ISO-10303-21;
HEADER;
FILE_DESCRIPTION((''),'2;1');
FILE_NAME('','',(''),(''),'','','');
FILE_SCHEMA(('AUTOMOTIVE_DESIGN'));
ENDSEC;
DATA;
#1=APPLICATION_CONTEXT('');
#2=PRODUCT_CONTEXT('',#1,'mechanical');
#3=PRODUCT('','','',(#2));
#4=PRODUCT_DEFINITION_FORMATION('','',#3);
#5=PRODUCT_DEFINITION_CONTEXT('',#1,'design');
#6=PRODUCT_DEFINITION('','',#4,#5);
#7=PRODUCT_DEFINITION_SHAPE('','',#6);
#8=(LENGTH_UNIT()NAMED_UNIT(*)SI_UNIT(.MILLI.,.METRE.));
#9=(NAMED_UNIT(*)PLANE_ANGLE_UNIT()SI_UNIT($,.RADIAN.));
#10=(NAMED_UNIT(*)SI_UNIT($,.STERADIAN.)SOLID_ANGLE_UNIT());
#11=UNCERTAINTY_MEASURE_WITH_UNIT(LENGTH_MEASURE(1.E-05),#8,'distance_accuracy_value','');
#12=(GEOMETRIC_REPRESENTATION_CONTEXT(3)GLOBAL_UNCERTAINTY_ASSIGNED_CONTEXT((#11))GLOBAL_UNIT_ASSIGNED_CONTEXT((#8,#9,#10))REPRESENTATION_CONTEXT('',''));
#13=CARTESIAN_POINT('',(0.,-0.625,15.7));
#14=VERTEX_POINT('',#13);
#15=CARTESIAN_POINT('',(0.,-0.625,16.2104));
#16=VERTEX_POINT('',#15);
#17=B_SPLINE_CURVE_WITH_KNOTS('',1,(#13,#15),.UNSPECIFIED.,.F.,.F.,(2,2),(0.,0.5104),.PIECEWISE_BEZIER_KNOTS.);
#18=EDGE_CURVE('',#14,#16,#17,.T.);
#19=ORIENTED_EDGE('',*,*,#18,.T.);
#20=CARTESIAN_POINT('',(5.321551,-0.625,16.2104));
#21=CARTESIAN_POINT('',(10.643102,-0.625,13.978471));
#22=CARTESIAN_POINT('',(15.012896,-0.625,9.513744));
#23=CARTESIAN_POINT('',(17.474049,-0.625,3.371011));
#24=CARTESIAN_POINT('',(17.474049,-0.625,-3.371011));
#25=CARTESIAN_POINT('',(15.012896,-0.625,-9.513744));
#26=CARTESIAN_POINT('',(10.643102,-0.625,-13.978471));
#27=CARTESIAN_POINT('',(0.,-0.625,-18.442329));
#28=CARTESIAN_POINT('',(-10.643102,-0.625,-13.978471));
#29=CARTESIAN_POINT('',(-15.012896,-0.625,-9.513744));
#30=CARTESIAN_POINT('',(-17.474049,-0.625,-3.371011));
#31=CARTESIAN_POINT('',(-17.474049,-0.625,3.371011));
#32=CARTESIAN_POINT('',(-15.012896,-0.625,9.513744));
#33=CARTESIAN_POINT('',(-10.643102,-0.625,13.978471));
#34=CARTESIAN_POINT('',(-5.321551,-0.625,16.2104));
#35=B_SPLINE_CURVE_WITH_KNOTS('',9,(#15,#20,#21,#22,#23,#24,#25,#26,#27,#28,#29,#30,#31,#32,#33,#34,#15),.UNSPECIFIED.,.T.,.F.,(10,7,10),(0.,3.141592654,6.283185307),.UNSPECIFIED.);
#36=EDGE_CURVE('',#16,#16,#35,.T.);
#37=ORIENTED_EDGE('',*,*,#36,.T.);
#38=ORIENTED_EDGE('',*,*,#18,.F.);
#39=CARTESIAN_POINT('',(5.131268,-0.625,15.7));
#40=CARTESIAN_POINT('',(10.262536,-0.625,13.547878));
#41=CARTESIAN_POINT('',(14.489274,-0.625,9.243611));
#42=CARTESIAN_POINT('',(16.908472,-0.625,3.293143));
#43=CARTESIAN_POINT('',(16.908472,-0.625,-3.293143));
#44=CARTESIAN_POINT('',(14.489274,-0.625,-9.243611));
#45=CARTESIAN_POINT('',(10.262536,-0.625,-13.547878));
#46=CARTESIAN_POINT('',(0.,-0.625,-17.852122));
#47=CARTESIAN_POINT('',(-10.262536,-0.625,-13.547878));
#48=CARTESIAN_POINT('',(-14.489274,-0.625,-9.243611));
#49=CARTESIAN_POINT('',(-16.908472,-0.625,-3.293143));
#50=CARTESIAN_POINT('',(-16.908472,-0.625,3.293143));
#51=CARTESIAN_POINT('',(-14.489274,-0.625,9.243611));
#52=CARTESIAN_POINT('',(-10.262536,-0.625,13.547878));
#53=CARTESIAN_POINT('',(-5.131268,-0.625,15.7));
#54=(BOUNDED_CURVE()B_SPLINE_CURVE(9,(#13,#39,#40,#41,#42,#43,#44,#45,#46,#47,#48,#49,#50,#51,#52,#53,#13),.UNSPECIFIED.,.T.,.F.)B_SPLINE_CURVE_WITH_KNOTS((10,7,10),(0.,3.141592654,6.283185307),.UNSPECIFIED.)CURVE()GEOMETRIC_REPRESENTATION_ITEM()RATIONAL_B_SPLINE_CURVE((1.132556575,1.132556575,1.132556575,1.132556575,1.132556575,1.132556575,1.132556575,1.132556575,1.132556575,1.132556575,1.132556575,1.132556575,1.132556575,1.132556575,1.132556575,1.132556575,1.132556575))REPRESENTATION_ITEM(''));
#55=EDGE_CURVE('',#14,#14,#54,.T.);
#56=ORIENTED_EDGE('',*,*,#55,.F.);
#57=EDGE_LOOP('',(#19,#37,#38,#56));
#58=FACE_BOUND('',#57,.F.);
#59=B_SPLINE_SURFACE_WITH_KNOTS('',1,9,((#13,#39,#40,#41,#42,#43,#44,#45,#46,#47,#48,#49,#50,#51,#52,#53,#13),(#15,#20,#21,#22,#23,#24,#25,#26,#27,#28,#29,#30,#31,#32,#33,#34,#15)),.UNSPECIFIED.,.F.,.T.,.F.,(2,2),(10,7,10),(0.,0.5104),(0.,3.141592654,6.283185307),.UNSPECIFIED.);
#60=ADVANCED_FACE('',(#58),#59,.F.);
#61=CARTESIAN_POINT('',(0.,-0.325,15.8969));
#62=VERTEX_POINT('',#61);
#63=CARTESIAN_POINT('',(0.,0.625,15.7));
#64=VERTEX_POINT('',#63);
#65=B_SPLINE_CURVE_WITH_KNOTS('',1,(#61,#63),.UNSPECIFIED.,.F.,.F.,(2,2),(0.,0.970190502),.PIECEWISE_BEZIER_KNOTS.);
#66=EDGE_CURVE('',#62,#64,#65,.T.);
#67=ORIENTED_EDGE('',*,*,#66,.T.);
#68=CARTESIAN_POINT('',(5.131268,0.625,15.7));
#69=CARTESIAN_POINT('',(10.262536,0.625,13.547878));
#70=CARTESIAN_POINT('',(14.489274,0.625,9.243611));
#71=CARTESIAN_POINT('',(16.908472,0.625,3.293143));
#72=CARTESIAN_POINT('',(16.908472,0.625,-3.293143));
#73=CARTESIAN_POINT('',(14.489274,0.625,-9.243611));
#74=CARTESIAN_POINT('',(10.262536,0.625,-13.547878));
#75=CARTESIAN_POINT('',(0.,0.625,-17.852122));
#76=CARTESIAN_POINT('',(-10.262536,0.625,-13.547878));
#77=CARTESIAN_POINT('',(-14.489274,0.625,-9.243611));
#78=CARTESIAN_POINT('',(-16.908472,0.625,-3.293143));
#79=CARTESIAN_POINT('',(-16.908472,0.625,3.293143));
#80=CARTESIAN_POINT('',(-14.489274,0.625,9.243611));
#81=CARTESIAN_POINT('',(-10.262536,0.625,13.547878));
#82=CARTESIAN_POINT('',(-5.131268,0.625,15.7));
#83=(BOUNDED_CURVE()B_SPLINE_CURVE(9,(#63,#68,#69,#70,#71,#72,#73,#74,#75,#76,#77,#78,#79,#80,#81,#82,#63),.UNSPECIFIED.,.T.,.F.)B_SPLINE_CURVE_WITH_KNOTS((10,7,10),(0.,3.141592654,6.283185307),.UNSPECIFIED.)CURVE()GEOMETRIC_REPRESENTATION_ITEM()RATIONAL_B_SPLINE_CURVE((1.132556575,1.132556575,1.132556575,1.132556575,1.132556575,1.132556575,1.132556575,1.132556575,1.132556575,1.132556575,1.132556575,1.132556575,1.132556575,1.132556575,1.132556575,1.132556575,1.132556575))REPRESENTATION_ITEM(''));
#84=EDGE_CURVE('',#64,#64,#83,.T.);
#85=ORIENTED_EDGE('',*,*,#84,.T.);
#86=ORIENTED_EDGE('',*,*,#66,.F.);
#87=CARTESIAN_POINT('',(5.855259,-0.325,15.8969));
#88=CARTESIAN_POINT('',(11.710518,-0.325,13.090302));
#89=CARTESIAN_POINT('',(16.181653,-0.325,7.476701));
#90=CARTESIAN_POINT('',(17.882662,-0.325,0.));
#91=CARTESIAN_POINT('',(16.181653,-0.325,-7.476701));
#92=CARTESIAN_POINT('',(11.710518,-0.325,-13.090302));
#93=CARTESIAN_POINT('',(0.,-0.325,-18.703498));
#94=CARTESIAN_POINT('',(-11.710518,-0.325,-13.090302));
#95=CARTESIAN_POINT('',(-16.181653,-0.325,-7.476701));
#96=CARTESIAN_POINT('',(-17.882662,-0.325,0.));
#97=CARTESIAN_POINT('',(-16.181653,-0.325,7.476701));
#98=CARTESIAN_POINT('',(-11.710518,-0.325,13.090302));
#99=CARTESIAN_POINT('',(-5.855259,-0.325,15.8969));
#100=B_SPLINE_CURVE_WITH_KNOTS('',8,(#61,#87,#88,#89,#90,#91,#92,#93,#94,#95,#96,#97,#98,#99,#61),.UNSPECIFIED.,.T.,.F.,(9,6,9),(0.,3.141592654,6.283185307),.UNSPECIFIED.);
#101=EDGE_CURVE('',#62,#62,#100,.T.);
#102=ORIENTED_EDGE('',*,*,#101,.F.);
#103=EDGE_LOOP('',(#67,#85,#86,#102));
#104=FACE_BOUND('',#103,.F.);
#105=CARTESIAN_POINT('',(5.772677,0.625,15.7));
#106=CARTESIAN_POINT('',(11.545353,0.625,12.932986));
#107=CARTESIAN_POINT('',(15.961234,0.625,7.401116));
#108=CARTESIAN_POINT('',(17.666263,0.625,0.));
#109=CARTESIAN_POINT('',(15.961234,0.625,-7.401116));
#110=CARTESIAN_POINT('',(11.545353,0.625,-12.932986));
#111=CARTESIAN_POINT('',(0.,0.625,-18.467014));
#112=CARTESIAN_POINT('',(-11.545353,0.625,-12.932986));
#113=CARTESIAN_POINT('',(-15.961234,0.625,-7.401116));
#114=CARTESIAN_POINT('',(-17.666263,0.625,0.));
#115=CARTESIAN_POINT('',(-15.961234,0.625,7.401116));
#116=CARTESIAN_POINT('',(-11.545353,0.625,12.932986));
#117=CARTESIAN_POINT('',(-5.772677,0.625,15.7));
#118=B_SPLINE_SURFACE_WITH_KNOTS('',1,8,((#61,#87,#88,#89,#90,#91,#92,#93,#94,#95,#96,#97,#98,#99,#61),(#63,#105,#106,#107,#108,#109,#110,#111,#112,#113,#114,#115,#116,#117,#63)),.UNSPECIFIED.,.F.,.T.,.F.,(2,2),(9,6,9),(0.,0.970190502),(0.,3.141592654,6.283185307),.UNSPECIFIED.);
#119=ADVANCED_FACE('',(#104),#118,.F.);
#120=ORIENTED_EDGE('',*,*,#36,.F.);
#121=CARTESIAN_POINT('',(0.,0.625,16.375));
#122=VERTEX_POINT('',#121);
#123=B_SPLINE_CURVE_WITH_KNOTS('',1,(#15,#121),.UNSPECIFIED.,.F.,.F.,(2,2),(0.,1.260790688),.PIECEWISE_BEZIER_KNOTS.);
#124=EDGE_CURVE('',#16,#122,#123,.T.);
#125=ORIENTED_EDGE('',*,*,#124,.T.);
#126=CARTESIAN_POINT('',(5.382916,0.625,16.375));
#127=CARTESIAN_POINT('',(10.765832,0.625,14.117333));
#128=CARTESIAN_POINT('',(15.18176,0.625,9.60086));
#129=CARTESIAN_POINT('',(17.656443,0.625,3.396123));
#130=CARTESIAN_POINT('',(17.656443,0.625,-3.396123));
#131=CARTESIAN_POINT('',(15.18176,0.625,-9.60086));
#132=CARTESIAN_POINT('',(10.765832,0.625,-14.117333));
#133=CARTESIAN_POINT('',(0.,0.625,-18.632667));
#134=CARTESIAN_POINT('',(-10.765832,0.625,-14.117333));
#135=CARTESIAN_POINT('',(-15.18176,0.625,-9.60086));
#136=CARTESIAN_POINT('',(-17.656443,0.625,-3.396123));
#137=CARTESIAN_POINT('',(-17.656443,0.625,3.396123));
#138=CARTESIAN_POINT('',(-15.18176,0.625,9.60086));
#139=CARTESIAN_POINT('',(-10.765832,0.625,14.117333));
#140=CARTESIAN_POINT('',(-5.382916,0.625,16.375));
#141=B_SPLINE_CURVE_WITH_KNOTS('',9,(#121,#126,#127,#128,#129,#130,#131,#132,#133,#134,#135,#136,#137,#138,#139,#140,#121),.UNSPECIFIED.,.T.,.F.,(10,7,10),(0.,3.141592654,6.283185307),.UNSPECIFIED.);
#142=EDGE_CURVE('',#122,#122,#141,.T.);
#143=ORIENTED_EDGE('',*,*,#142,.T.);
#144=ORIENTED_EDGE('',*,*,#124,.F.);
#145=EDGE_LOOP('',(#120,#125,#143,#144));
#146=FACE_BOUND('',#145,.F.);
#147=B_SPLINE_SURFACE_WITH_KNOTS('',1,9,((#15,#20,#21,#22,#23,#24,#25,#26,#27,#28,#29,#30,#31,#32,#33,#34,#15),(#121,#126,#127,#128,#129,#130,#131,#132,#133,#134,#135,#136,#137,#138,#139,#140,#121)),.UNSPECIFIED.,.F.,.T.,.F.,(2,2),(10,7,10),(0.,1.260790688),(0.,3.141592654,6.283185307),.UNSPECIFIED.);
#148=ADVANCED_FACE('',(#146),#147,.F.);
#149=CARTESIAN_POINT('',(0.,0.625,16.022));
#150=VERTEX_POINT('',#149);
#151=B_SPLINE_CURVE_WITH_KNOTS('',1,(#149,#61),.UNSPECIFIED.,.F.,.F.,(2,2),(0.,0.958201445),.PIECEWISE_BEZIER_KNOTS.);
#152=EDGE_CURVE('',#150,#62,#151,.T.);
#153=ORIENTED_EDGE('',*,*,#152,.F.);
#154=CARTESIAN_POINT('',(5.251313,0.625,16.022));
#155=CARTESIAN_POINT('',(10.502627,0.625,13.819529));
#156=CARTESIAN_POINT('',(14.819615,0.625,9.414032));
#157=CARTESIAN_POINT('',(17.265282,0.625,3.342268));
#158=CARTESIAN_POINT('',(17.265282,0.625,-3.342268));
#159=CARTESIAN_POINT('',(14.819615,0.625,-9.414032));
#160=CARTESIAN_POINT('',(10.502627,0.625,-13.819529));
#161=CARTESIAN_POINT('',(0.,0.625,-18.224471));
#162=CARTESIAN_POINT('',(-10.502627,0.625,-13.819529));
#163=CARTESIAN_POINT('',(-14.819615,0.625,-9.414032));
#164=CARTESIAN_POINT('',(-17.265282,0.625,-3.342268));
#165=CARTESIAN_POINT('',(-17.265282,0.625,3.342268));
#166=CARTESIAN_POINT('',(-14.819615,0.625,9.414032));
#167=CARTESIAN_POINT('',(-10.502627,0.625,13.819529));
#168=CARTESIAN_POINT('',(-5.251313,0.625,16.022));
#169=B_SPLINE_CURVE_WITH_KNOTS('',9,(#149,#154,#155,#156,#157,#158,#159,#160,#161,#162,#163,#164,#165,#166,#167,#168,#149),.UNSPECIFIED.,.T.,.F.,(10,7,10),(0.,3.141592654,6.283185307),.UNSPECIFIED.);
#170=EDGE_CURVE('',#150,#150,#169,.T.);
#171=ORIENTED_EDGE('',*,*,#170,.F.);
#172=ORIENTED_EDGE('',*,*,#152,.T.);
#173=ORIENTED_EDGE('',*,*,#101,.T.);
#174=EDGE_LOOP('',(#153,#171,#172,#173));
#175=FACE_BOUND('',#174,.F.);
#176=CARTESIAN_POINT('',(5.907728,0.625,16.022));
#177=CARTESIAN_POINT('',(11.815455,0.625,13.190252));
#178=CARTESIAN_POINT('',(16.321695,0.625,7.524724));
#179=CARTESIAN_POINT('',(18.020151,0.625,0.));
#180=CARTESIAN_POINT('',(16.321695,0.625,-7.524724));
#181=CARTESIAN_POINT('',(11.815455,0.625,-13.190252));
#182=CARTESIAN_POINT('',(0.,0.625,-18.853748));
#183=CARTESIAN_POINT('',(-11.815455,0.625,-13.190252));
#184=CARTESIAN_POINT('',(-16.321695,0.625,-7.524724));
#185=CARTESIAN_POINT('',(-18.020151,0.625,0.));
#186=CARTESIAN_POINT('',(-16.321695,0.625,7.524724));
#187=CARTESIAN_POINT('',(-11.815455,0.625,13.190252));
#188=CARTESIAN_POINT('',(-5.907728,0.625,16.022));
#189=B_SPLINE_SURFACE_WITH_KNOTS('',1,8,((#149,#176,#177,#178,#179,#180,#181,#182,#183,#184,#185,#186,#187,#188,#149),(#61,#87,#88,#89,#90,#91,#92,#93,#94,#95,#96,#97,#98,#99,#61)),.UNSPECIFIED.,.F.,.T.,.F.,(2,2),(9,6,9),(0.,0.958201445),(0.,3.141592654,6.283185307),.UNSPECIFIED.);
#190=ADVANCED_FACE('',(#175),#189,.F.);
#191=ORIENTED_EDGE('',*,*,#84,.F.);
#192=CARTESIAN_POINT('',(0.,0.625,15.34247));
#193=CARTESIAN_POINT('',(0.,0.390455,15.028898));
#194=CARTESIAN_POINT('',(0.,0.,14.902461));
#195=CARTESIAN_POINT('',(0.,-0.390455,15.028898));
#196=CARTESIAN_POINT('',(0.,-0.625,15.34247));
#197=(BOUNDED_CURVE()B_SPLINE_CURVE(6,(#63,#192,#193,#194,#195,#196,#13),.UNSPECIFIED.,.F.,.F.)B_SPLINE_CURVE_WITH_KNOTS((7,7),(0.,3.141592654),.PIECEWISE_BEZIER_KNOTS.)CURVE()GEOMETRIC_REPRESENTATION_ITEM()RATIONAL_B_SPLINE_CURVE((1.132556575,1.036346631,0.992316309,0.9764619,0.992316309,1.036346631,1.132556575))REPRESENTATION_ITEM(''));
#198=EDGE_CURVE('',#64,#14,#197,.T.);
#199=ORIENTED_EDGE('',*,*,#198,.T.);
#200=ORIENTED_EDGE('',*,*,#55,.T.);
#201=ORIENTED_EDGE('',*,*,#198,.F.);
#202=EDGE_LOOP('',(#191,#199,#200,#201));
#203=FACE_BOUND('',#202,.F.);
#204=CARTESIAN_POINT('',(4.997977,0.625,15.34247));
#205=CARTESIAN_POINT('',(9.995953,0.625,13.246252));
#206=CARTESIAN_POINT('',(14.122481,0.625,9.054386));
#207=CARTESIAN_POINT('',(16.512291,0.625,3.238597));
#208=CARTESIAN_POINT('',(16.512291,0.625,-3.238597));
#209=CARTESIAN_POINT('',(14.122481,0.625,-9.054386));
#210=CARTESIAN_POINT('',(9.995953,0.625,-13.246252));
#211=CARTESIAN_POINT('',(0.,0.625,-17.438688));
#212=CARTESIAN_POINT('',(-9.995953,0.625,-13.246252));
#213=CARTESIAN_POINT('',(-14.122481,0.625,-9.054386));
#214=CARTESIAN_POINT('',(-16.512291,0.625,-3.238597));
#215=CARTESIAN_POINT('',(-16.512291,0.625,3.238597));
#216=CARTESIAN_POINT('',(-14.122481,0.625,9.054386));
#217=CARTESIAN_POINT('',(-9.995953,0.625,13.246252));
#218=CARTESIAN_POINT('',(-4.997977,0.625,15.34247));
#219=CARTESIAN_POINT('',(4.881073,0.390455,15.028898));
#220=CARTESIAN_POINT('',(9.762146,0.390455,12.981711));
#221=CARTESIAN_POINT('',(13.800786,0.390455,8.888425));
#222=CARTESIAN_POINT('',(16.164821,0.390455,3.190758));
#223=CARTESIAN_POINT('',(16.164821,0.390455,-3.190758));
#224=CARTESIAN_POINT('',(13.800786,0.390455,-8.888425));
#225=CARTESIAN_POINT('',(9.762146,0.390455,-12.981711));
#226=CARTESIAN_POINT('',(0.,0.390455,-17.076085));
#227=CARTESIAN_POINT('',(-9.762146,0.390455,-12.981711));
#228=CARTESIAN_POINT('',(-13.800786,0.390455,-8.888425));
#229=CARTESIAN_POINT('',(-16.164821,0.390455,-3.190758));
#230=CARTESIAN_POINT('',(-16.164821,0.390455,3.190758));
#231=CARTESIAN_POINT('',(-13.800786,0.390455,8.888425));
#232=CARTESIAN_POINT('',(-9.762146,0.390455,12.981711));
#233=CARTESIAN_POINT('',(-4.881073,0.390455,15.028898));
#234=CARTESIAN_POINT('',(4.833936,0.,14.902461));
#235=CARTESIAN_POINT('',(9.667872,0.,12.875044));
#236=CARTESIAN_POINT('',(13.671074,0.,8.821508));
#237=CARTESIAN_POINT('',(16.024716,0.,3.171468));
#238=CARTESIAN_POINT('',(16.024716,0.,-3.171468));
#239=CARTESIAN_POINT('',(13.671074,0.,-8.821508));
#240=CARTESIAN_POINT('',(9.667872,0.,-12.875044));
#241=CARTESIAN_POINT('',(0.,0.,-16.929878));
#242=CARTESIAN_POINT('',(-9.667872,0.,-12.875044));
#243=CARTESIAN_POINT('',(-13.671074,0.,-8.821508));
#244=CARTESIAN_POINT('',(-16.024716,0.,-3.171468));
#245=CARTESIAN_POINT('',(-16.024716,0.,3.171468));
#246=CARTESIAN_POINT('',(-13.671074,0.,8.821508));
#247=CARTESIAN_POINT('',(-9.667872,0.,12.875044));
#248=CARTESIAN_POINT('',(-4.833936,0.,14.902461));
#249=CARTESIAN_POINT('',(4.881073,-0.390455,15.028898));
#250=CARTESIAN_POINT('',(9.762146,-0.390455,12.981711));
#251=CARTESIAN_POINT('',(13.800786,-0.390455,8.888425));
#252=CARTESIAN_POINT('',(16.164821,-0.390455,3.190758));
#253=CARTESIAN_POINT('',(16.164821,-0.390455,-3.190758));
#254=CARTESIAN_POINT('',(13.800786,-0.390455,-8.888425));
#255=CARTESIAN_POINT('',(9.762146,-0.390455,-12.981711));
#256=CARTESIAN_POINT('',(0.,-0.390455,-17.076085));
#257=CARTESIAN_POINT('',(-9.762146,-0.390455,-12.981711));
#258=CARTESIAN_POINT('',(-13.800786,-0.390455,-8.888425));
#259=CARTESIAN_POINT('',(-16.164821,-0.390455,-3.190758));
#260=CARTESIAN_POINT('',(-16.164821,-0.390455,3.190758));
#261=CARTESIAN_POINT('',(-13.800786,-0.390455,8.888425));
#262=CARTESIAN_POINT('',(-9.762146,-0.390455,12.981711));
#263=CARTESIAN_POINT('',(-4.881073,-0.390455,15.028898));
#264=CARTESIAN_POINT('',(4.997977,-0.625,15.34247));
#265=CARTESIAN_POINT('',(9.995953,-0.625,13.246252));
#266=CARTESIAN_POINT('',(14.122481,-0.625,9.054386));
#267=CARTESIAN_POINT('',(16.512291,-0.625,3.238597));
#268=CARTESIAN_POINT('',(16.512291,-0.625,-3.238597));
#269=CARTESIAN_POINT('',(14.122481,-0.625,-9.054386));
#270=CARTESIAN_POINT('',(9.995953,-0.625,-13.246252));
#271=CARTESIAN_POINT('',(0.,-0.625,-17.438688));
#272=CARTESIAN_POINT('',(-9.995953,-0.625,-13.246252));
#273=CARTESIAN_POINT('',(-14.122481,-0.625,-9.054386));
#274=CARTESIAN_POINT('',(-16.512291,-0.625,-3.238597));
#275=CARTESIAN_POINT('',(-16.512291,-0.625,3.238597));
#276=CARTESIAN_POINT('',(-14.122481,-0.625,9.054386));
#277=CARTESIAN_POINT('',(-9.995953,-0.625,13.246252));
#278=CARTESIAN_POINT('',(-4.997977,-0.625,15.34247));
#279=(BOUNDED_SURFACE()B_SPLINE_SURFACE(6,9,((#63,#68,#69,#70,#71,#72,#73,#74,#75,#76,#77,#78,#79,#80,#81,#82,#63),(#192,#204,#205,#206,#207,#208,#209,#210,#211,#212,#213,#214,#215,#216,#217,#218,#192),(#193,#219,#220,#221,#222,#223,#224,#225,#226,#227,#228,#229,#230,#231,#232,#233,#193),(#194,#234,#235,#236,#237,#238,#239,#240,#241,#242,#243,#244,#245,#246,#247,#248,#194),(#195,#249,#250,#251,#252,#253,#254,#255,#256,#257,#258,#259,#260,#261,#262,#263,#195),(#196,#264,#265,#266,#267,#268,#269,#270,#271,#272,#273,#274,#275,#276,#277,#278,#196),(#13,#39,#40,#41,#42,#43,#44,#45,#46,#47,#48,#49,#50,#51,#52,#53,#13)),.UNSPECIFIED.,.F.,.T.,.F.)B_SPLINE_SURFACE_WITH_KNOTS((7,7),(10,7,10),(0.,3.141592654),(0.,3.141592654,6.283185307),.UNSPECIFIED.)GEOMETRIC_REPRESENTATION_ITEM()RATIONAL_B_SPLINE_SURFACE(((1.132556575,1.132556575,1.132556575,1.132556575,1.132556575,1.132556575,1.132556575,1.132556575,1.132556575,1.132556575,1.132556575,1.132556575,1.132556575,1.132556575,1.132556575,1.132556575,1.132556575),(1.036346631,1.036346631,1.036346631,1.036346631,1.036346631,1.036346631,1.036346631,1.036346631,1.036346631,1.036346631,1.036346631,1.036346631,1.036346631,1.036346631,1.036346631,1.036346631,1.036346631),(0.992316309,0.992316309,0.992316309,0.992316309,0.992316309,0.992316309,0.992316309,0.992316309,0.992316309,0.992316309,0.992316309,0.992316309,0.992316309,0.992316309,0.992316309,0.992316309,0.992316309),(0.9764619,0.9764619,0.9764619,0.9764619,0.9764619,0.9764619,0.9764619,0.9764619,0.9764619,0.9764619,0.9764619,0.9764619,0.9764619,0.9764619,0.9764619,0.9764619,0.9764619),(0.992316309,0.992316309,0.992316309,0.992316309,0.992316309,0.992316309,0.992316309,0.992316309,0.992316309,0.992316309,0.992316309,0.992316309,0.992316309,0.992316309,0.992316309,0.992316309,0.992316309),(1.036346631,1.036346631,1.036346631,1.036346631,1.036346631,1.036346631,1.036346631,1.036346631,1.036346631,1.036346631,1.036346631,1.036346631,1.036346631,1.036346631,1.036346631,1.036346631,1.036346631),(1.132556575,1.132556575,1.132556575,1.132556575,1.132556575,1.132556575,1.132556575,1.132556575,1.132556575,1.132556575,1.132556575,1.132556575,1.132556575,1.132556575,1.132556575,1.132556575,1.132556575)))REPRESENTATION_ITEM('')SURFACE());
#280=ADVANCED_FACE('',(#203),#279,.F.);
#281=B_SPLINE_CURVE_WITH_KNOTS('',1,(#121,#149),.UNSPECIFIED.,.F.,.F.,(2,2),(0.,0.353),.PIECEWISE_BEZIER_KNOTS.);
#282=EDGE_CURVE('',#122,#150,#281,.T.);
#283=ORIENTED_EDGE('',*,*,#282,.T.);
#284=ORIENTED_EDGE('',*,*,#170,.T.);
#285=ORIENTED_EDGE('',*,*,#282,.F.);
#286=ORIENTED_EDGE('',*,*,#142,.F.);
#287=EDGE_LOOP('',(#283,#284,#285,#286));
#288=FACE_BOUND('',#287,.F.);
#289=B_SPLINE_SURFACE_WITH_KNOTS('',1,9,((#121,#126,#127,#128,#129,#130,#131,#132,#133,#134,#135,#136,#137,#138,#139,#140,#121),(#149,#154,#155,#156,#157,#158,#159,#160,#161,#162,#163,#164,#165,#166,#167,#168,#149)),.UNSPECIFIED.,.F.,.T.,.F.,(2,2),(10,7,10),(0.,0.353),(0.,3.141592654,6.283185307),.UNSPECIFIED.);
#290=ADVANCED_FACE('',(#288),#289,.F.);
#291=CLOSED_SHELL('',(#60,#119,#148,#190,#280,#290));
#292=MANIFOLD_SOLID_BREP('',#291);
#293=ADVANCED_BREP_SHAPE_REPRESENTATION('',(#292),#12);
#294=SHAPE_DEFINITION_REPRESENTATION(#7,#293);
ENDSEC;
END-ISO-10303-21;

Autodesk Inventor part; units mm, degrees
ref_plane "YZ Plane" through (0, 0, 0) normal (1, 0, 0) x (0, 1, 0)
ref_plane "XZ Plane" through (0, 0, 0) normal (0, 1, 0) x (-1, 0, 0)
ref_plane "XY Plane" through (0, 0, 0) normal (0, 0, 1) x (1, 0, 0)
sketch "Sketch1" plane through (0, 0, 0) normal (0, 1, 0) x (-1, 0, 0)
  ellipse E0 centre (0, 0) end of major axis (0, 15.7) minor radius 14.7
  dimension "d0" = 15.7
  dimension "d1" = 14.7
sketch "Sketch2" plane through (0, 0, 0) normal (1, 0, 0) x (0, 1, 0)
  line L0 (0, -15.7) -> (0, 15.7) construction
  line L1 (-0.625, -15.7) -> (-0.625, -16.2104)
  line L2 (-0.625, -16.2104) -> (0.625, -16.375)
  line L3 (0.625, -16.375) -> (0.625, -16.022)
  line L4 (0.625, -16.022) -> (-0.325, -15.8969)
  line L5 (-0.325, -15.8969) -> (0.625, -15.7)
  arc A0 (0.625, -15.7) -> (-0.625, -15.7) centre (0, -15.7) ccw
  point P0 (0, 0)
  point P1 (0, -15.075)
  dimension "d5" = 0.625
  dimension "d6" = 1.3
  dimension "d7" = 0.35
  dimension "d8" = 97.5
  dimension "d9" = 0.3
sweep "Sweep1" add profiles "Sketch2" path "Sketch1"
properties part number "BOTTOM_ELIP_BEARING_SEAL,REV-ENG" material "Polyethylene, UHMW"
